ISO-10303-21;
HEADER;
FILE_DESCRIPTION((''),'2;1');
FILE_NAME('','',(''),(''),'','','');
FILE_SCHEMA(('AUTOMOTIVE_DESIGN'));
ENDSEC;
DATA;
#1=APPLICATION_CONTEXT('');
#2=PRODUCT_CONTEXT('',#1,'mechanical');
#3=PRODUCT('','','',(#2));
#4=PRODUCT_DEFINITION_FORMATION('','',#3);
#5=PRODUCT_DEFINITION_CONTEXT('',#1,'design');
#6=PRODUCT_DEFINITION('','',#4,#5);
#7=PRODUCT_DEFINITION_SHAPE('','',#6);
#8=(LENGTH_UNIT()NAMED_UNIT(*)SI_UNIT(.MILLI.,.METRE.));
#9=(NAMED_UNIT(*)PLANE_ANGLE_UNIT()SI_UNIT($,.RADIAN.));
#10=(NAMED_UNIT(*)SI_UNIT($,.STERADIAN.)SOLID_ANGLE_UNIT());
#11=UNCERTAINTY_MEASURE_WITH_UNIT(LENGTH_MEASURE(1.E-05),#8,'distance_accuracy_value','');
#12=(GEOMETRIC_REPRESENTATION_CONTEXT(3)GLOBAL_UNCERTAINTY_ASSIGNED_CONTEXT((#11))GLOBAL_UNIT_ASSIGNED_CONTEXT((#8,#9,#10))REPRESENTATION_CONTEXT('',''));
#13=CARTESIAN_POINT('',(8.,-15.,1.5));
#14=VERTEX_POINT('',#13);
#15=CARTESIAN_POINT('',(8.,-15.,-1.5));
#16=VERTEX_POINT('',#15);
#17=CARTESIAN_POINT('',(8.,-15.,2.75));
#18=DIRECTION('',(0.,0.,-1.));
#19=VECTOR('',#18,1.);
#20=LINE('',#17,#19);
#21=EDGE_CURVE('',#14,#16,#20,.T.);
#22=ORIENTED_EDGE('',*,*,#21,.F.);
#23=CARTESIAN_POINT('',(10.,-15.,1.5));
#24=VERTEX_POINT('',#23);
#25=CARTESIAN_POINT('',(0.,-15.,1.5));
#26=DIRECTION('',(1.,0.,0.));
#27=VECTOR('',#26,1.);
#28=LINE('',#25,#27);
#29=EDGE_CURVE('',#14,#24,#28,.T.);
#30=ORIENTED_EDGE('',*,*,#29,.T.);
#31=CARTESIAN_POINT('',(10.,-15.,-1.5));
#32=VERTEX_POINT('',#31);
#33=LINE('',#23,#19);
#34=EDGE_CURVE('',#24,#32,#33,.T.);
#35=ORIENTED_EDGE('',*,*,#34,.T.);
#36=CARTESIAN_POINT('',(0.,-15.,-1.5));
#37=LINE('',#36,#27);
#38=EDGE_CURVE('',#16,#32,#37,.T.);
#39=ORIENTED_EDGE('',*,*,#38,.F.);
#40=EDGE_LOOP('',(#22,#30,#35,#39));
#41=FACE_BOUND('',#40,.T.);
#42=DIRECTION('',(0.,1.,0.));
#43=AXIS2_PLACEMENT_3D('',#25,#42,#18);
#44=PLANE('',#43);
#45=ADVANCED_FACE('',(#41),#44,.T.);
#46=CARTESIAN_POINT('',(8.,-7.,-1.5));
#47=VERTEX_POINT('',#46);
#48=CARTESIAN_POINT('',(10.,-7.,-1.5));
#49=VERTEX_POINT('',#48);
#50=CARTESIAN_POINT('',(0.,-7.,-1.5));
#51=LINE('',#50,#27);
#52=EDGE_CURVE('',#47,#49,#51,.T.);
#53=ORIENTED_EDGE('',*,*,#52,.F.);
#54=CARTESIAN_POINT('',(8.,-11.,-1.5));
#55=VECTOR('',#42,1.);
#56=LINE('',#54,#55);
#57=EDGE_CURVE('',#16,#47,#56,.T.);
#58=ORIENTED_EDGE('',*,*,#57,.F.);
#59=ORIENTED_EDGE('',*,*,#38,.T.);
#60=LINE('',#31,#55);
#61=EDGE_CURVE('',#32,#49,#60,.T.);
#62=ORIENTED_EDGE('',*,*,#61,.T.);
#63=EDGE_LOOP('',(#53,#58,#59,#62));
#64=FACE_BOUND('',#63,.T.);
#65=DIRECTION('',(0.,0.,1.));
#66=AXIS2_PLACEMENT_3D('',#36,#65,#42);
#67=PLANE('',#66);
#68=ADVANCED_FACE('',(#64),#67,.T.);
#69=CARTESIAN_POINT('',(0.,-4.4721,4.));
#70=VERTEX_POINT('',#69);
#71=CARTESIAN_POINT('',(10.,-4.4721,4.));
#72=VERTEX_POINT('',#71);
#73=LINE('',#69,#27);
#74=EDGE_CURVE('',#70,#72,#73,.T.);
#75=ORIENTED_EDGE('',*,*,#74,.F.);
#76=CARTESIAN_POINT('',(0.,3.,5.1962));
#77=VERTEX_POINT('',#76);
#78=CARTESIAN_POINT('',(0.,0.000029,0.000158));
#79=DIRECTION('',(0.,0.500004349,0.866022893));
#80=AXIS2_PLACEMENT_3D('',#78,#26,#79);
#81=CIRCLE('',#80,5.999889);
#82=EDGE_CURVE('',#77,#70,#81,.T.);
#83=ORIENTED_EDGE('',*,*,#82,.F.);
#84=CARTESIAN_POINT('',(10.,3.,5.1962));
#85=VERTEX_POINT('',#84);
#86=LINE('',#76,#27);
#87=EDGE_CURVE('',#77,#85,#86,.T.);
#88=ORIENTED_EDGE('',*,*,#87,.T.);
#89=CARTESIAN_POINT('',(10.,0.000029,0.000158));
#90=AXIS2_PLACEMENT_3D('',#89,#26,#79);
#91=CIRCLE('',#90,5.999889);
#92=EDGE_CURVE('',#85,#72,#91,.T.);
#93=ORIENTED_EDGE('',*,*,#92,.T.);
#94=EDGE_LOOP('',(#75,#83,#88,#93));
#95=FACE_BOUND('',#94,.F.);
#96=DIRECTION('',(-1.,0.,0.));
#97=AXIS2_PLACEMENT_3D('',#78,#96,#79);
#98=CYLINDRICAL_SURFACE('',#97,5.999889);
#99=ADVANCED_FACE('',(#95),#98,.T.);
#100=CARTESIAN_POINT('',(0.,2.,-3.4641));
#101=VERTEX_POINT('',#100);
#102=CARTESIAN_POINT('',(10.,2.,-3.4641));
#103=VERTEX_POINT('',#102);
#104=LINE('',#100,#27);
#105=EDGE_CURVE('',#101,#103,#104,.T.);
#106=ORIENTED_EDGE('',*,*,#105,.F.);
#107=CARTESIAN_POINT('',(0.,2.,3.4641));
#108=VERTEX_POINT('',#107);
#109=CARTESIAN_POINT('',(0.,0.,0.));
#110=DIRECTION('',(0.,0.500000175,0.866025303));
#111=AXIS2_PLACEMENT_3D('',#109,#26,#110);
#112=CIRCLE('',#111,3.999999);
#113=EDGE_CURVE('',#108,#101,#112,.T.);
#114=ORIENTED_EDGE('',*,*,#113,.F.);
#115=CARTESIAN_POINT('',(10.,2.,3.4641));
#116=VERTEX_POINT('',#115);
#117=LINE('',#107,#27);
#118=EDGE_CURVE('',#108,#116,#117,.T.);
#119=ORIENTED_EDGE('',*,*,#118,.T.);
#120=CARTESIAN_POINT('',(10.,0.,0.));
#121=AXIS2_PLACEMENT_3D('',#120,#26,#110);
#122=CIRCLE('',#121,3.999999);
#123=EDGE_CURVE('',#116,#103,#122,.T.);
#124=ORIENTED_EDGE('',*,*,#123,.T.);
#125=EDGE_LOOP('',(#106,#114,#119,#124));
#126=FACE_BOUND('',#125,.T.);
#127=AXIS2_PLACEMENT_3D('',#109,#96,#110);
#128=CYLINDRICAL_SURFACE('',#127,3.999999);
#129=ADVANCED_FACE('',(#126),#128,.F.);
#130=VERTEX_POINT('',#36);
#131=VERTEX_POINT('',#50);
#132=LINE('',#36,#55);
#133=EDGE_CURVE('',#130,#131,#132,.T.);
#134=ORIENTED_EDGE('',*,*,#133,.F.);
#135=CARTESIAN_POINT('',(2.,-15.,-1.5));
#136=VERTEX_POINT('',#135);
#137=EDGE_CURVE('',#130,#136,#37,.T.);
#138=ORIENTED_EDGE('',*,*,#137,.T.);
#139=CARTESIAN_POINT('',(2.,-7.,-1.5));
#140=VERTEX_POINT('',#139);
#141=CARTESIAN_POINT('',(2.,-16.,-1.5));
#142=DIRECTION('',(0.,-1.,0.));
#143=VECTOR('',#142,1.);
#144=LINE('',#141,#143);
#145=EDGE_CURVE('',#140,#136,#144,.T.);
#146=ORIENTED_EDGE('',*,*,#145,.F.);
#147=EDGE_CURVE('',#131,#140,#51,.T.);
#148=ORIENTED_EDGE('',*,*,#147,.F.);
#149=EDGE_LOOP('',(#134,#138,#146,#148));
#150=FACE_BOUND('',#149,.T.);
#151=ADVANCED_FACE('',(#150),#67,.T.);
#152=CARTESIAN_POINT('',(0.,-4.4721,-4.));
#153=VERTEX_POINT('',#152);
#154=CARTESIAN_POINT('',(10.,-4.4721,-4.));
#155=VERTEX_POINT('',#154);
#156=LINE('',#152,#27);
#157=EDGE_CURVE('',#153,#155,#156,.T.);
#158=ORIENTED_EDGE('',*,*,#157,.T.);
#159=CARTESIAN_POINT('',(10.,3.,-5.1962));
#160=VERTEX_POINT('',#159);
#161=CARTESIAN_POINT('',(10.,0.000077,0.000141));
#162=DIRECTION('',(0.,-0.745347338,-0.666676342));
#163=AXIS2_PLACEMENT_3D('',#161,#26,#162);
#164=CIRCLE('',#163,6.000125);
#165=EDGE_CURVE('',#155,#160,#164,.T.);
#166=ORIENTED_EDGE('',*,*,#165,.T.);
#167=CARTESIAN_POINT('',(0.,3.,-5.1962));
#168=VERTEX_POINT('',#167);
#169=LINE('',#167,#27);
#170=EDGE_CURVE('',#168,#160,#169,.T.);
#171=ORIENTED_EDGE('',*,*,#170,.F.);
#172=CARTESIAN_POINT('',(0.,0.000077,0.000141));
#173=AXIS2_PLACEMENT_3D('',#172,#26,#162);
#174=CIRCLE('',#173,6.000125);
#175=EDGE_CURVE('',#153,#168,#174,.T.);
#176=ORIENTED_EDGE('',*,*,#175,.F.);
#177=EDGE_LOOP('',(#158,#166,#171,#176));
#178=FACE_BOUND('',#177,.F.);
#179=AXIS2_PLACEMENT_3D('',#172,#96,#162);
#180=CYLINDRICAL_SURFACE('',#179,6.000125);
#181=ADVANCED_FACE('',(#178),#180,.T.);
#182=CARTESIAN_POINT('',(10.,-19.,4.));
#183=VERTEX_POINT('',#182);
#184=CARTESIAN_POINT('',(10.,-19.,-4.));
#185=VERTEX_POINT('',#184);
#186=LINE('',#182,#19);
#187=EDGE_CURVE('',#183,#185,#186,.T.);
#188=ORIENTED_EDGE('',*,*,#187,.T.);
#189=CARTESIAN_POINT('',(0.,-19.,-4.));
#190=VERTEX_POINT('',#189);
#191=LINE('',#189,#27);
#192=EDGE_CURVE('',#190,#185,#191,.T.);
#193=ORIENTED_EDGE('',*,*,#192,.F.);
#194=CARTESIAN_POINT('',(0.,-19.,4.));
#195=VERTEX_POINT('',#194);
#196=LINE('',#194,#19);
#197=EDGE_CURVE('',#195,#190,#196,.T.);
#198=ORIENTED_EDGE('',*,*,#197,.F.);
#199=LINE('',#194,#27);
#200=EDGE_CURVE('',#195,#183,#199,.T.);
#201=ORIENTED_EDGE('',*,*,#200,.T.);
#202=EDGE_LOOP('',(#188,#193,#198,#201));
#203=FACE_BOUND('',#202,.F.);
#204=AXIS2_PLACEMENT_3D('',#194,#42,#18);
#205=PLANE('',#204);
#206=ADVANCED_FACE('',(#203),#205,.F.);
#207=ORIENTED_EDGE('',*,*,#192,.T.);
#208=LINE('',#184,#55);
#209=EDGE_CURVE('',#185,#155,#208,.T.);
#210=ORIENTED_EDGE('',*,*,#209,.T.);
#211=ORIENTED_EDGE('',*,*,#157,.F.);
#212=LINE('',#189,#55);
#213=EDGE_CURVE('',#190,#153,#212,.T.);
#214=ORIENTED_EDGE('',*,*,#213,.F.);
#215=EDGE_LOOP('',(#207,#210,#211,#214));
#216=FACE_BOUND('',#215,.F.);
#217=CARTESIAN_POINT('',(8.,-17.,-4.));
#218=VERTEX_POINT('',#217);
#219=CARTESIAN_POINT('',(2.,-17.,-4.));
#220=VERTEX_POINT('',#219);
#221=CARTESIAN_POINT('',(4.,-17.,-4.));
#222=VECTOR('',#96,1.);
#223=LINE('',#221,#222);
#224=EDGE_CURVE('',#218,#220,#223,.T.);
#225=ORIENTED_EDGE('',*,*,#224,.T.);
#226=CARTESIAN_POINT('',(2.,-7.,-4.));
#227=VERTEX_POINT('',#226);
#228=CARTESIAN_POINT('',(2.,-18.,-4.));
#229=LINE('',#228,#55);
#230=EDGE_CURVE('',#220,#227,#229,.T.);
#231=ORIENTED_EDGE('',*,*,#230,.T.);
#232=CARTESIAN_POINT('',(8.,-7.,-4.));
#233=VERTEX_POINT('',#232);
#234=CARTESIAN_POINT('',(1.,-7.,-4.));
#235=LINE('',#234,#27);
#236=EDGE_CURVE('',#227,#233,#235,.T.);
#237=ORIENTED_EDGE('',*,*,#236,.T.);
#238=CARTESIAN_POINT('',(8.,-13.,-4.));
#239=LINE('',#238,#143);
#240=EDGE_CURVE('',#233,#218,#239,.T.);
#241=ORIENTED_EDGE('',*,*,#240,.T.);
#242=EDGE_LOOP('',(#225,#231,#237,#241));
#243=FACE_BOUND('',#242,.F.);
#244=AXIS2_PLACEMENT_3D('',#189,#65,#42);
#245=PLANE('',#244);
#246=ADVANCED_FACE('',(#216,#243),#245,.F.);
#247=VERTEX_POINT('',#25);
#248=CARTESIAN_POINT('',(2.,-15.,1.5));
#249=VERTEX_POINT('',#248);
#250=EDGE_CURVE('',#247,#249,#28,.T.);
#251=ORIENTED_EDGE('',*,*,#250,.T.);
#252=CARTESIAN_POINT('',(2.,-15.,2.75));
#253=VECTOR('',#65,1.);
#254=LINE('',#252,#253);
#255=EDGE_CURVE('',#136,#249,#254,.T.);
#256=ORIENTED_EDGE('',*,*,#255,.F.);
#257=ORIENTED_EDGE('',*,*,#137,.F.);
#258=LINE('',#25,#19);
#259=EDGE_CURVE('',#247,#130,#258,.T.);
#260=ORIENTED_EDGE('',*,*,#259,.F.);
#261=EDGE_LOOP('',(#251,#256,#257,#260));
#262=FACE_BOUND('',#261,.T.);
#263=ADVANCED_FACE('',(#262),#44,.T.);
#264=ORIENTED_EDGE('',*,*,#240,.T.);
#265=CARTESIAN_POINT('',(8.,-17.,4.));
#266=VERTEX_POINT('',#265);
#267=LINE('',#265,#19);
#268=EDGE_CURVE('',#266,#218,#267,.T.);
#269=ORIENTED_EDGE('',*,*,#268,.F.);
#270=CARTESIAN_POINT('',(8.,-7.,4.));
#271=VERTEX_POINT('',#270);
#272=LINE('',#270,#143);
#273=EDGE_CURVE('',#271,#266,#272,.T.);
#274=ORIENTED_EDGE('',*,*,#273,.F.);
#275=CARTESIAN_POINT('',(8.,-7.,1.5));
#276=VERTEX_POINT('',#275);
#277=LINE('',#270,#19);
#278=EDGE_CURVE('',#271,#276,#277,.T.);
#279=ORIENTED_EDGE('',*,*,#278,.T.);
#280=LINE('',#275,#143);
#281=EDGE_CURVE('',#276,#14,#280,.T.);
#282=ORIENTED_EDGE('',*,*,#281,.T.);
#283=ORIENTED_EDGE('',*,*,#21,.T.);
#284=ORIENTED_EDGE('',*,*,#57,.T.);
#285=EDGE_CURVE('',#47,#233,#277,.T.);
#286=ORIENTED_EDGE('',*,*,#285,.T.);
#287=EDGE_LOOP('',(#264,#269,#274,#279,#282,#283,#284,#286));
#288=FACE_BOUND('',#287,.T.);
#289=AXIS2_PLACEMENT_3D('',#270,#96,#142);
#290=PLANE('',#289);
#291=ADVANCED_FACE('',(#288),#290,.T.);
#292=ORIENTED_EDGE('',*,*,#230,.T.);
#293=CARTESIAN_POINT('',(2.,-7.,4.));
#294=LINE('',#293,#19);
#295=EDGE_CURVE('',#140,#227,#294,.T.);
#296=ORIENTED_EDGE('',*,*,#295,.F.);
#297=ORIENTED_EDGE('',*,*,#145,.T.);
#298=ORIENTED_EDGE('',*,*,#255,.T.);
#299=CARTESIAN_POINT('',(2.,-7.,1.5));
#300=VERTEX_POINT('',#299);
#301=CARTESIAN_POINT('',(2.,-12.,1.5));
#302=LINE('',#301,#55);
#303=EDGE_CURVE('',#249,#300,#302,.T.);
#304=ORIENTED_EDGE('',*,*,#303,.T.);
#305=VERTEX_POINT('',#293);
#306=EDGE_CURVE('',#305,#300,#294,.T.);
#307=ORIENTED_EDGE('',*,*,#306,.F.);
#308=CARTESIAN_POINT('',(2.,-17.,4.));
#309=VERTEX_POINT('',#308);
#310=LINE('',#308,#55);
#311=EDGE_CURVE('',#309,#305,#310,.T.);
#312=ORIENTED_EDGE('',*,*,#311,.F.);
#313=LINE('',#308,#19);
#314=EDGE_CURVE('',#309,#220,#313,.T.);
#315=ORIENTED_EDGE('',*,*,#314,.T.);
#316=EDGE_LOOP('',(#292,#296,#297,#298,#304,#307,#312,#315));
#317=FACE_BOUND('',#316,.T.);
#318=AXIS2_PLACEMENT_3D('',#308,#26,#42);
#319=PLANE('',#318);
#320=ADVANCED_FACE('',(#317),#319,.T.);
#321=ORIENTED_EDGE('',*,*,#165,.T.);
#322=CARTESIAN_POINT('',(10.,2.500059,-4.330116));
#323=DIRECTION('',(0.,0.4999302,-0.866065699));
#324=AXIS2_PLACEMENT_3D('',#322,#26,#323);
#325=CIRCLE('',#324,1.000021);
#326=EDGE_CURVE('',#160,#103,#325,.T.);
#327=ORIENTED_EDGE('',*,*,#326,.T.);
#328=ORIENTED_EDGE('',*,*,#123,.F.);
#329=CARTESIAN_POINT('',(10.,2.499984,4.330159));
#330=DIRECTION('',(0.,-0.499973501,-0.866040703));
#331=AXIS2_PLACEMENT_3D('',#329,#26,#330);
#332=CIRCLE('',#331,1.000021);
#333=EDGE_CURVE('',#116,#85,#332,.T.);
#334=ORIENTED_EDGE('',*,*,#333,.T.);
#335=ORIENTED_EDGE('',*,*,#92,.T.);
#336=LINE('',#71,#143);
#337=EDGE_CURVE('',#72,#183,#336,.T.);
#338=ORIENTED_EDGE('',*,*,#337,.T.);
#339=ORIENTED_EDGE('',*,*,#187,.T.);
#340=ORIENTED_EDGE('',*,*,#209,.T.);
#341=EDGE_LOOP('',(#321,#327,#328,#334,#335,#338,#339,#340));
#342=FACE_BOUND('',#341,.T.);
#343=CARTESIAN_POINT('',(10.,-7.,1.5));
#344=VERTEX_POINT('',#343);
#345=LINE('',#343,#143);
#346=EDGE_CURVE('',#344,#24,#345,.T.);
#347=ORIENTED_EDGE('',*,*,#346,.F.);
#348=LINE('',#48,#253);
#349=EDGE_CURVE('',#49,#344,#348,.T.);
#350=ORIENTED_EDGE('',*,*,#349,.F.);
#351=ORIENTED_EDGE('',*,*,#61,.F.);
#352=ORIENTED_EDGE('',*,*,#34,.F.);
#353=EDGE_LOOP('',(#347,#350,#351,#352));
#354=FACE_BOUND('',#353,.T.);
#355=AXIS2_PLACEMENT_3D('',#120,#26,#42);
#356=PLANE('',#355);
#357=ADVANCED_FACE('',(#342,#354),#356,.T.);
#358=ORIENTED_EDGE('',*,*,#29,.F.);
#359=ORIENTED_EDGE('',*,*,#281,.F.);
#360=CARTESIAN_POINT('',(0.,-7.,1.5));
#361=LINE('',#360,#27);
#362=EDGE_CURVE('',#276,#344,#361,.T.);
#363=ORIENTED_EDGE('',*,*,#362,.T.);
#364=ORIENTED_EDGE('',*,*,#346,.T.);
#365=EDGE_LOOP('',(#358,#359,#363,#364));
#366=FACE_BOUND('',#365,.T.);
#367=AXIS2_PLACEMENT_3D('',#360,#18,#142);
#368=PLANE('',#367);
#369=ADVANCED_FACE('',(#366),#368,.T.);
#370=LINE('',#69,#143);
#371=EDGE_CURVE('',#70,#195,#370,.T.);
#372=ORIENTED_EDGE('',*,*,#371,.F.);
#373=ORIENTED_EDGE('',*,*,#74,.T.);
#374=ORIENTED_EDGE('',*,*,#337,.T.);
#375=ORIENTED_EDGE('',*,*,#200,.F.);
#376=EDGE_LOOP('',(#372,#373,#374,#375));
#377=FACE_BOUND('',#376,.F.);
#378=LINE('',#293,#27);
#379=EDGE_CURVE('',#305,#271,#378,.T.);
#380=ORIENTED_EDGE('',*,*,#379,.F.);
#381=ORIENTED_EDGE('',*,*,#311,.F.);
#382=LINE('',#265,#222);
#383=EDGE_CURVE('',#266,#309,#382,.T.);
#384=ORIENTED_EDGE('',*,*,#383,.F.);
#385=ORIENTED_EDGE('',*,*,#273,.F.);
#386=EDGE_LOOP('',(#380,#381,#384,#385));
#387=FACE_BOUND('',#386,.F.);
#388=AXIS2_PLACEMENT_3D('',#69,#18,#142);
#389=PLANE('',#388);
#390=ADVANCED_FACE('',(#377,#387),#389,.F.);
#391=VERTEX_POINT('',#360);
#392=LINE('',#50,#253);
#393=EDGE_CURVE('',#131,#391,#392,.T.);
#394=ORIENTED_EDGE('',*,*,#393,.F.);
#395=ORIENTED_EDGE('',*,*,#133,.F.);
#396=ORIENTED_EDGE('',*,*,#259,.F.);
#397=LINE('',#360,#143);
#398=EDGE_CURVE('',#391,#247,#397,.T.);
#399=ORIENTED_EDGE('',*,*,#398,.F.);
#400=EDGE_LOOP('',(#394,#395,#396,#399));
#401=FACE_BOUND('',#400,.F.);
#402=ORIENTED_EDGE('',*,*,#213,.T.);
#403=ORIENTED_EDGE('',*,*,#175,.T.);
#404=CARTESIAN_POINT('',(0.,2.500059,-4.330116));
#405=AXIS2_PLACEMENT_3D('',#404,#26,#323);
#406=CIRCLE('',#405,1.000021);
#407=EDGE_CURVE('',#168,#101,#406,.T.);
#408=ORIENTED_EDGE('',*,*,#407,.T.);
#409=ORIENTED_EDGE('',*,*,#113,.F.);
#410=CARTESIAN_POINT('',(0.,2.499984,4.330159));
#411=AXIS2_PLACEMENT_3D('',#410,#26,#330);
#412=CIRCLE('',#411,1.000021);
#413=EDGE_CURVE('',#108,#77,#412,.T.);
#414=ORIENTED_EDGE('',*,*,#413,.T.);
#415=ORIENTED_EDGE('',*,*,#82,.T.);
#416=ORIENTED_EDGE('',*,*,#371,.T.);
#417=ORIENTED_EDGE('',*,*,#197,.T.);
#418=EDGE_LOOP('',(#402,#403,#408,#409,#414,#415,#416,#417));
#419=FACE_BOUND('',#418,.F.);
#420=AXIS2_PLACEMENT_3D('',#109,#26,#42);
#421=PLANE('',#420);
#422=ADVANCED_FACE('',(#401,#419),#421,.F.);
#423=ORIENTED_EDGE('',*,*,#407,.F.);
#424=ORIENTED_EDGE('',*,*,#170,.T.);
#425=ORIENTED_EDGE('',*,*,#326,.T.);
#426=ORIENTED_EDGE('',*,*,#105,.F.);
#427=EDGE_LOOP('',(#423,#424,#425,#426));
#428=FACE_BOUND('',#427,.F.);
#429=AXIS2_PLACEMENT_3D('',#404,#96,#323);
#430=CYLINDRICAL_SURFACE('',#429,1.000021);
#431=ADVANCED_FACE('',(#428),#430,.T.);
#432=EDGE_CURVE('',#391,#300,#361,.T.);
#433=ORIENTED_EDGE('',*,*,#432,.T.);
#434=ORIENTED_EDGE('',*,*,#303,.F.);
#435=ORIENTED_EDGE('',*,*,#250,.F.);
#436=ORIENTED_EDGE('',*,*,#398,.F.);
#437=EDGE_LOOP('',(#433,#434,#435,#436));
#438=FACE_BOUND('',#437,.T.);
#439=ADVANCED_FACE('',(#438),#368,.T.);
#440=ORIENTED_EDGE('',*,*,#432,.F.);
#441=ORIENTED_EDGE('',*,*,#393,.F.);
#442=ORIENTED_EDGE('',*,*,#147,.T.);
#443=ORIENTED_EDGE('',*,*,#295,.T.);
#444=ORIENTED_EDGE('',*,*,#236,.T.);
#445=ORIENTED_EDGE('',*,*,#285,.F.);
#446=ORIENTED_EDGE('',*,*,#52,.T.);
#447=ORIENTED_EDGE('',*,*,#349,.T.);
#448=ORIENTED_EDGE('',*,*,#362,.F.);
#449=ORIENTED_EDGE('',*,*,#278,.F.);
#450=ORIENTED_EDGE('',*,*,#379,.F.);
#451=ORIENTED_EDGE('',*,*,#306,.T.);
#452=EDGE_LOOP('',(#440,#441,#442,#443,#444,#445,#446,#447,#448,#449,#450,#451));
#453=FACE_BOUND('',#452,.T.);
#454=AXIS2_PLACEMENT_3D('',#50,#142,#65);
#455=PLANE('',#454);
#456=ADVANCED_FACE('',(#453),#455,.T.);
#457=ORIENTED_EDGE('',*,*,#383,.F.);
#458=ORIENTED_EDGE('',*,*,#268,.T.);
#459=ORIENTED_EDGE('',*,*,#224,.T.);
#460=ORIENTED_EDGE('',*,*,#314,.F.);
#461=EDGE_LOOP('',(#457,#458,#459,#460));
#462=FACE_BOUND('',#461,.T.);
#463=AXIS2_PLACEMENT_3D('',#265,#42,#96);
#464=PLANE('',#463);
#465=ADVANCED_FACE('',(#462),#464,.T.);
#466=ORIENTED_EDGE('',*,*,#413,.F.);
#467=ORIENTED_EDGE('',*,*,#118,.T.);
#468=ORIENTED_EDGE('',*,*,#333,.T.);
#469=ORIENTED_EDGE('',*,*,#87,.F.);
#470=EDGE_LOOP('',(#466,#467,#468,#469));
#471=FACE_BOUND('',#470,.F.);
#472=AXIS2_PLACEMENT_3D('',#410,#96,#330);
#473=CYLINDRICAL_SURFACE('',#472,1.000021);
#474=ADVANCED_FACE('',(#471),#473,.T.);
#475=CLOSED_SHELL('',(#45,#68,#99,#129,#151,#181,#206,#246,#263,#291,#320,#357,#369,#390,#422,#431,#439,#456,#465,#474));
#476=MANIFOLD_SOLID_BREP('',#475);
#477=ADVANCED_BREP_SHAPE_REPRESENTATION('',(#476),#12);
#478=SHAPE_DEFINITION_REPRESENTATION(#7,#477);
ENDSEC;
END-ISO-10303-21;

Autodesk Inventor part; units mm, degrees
ref_plane "YZ Plane" through (0, 0, 0) normal (1, 0, 0) x (0, 1, 0)
ref_plane "XZ Plane" through (0, 0, 0) normal (0, 1, 0) x (-1, 0, 0)
ref_plane "XY Plane" through (0, 0, 0) normal (0, 0, 1) x (1, 0, 0)
sketch "Sketch1" plane through (0, 0, 0) normal (1, 0, 0) x (0, 1, 0)
  arc A0 (2, 3.4641) -> (2, -3.4641) centre (0, 0) ccw
  arc A1 (2, 3.4641) -> (3, 5.1962) centre (2.5, 4.3301) ccw
  arc A2 (3, -5.1962) -> (2, -3.4641) centre (2.5, -4.3301) ccw
  line L0 (-4.4721, 4) -> (-19, 4)
  line L1 (-19, 4) -> (-19, -4)
  line L2 (-19, -4) -> (-4.4721, -4)
  arc A3 (3, 5.1962) -> (-4.4721, 4) centre (0, 0) ccw
  arc A4 (-4.4721, -4) -> (3, -5.1962) centre (0, 0) ccw
  point P0 (-6, 0)
  point P1 (-19, 0)
  dimension "d0" = 8
  dimension "d2" = 2.5
  dimension "d3" = 8
  dimension "d6" = 19
  dimension "d7" = 6
  dimension "d8" = 6
extrude "Extrusion1" add sketch "Sketch1" along normal blind 10
sketch "Sketch2" plane through (0, -19, 4) normal (0, 0, 1) x (1, 0, 0)
  line L0 (2, 12) -> (8, 12)
  line L1 (8, 12) -> (8, 2)
  line L2 (8, 2) -> (2, 2)
  line L3 (2, 2) -> (2, 12)
  line L4 (0, 0) -> (10, 0) projected
  line L5 (10, 14.5279) -> (10, 0) projected
  point P0 (0, 19)
  dimension "d11" = 2
  dimension "d12" = 6
  dimension "d13" = 10
  dimension "d14" = 2
extrude "Extrusion2" cut sketch "Sketch2" against normal blind 10
sketch "Sketch3" plane through (0, 0, 0) normal (-1, 0, 0) x (0, 0, 1)
  line L0 (-1.5, -7) -> (1.5, -7)
  line L1 (1.5, -7) -> (1.5, -15)
  line L2 (1.5, -15) -> (-1.5, -15)
  line L3 (-1.5, -15) -> (-1.5, -7)
  line L4 (4, -7) -> (-4, -7) projected
  line L5 (4, -17) -> (-4, -17) projected
  line L6 (4, -4.4721) -> (4, -19) projected
  point P0 (0, 0)
  point P1 (0, -7)
  point P2 (0, -7)
  dimension "d17" = 3
  dimension "d18" = 2
  dimension "d19" = 2.5
extrude "Extrusion3" cut sketch "Sketch3" against normal blind 10
properties part number "Thread_Clip"
